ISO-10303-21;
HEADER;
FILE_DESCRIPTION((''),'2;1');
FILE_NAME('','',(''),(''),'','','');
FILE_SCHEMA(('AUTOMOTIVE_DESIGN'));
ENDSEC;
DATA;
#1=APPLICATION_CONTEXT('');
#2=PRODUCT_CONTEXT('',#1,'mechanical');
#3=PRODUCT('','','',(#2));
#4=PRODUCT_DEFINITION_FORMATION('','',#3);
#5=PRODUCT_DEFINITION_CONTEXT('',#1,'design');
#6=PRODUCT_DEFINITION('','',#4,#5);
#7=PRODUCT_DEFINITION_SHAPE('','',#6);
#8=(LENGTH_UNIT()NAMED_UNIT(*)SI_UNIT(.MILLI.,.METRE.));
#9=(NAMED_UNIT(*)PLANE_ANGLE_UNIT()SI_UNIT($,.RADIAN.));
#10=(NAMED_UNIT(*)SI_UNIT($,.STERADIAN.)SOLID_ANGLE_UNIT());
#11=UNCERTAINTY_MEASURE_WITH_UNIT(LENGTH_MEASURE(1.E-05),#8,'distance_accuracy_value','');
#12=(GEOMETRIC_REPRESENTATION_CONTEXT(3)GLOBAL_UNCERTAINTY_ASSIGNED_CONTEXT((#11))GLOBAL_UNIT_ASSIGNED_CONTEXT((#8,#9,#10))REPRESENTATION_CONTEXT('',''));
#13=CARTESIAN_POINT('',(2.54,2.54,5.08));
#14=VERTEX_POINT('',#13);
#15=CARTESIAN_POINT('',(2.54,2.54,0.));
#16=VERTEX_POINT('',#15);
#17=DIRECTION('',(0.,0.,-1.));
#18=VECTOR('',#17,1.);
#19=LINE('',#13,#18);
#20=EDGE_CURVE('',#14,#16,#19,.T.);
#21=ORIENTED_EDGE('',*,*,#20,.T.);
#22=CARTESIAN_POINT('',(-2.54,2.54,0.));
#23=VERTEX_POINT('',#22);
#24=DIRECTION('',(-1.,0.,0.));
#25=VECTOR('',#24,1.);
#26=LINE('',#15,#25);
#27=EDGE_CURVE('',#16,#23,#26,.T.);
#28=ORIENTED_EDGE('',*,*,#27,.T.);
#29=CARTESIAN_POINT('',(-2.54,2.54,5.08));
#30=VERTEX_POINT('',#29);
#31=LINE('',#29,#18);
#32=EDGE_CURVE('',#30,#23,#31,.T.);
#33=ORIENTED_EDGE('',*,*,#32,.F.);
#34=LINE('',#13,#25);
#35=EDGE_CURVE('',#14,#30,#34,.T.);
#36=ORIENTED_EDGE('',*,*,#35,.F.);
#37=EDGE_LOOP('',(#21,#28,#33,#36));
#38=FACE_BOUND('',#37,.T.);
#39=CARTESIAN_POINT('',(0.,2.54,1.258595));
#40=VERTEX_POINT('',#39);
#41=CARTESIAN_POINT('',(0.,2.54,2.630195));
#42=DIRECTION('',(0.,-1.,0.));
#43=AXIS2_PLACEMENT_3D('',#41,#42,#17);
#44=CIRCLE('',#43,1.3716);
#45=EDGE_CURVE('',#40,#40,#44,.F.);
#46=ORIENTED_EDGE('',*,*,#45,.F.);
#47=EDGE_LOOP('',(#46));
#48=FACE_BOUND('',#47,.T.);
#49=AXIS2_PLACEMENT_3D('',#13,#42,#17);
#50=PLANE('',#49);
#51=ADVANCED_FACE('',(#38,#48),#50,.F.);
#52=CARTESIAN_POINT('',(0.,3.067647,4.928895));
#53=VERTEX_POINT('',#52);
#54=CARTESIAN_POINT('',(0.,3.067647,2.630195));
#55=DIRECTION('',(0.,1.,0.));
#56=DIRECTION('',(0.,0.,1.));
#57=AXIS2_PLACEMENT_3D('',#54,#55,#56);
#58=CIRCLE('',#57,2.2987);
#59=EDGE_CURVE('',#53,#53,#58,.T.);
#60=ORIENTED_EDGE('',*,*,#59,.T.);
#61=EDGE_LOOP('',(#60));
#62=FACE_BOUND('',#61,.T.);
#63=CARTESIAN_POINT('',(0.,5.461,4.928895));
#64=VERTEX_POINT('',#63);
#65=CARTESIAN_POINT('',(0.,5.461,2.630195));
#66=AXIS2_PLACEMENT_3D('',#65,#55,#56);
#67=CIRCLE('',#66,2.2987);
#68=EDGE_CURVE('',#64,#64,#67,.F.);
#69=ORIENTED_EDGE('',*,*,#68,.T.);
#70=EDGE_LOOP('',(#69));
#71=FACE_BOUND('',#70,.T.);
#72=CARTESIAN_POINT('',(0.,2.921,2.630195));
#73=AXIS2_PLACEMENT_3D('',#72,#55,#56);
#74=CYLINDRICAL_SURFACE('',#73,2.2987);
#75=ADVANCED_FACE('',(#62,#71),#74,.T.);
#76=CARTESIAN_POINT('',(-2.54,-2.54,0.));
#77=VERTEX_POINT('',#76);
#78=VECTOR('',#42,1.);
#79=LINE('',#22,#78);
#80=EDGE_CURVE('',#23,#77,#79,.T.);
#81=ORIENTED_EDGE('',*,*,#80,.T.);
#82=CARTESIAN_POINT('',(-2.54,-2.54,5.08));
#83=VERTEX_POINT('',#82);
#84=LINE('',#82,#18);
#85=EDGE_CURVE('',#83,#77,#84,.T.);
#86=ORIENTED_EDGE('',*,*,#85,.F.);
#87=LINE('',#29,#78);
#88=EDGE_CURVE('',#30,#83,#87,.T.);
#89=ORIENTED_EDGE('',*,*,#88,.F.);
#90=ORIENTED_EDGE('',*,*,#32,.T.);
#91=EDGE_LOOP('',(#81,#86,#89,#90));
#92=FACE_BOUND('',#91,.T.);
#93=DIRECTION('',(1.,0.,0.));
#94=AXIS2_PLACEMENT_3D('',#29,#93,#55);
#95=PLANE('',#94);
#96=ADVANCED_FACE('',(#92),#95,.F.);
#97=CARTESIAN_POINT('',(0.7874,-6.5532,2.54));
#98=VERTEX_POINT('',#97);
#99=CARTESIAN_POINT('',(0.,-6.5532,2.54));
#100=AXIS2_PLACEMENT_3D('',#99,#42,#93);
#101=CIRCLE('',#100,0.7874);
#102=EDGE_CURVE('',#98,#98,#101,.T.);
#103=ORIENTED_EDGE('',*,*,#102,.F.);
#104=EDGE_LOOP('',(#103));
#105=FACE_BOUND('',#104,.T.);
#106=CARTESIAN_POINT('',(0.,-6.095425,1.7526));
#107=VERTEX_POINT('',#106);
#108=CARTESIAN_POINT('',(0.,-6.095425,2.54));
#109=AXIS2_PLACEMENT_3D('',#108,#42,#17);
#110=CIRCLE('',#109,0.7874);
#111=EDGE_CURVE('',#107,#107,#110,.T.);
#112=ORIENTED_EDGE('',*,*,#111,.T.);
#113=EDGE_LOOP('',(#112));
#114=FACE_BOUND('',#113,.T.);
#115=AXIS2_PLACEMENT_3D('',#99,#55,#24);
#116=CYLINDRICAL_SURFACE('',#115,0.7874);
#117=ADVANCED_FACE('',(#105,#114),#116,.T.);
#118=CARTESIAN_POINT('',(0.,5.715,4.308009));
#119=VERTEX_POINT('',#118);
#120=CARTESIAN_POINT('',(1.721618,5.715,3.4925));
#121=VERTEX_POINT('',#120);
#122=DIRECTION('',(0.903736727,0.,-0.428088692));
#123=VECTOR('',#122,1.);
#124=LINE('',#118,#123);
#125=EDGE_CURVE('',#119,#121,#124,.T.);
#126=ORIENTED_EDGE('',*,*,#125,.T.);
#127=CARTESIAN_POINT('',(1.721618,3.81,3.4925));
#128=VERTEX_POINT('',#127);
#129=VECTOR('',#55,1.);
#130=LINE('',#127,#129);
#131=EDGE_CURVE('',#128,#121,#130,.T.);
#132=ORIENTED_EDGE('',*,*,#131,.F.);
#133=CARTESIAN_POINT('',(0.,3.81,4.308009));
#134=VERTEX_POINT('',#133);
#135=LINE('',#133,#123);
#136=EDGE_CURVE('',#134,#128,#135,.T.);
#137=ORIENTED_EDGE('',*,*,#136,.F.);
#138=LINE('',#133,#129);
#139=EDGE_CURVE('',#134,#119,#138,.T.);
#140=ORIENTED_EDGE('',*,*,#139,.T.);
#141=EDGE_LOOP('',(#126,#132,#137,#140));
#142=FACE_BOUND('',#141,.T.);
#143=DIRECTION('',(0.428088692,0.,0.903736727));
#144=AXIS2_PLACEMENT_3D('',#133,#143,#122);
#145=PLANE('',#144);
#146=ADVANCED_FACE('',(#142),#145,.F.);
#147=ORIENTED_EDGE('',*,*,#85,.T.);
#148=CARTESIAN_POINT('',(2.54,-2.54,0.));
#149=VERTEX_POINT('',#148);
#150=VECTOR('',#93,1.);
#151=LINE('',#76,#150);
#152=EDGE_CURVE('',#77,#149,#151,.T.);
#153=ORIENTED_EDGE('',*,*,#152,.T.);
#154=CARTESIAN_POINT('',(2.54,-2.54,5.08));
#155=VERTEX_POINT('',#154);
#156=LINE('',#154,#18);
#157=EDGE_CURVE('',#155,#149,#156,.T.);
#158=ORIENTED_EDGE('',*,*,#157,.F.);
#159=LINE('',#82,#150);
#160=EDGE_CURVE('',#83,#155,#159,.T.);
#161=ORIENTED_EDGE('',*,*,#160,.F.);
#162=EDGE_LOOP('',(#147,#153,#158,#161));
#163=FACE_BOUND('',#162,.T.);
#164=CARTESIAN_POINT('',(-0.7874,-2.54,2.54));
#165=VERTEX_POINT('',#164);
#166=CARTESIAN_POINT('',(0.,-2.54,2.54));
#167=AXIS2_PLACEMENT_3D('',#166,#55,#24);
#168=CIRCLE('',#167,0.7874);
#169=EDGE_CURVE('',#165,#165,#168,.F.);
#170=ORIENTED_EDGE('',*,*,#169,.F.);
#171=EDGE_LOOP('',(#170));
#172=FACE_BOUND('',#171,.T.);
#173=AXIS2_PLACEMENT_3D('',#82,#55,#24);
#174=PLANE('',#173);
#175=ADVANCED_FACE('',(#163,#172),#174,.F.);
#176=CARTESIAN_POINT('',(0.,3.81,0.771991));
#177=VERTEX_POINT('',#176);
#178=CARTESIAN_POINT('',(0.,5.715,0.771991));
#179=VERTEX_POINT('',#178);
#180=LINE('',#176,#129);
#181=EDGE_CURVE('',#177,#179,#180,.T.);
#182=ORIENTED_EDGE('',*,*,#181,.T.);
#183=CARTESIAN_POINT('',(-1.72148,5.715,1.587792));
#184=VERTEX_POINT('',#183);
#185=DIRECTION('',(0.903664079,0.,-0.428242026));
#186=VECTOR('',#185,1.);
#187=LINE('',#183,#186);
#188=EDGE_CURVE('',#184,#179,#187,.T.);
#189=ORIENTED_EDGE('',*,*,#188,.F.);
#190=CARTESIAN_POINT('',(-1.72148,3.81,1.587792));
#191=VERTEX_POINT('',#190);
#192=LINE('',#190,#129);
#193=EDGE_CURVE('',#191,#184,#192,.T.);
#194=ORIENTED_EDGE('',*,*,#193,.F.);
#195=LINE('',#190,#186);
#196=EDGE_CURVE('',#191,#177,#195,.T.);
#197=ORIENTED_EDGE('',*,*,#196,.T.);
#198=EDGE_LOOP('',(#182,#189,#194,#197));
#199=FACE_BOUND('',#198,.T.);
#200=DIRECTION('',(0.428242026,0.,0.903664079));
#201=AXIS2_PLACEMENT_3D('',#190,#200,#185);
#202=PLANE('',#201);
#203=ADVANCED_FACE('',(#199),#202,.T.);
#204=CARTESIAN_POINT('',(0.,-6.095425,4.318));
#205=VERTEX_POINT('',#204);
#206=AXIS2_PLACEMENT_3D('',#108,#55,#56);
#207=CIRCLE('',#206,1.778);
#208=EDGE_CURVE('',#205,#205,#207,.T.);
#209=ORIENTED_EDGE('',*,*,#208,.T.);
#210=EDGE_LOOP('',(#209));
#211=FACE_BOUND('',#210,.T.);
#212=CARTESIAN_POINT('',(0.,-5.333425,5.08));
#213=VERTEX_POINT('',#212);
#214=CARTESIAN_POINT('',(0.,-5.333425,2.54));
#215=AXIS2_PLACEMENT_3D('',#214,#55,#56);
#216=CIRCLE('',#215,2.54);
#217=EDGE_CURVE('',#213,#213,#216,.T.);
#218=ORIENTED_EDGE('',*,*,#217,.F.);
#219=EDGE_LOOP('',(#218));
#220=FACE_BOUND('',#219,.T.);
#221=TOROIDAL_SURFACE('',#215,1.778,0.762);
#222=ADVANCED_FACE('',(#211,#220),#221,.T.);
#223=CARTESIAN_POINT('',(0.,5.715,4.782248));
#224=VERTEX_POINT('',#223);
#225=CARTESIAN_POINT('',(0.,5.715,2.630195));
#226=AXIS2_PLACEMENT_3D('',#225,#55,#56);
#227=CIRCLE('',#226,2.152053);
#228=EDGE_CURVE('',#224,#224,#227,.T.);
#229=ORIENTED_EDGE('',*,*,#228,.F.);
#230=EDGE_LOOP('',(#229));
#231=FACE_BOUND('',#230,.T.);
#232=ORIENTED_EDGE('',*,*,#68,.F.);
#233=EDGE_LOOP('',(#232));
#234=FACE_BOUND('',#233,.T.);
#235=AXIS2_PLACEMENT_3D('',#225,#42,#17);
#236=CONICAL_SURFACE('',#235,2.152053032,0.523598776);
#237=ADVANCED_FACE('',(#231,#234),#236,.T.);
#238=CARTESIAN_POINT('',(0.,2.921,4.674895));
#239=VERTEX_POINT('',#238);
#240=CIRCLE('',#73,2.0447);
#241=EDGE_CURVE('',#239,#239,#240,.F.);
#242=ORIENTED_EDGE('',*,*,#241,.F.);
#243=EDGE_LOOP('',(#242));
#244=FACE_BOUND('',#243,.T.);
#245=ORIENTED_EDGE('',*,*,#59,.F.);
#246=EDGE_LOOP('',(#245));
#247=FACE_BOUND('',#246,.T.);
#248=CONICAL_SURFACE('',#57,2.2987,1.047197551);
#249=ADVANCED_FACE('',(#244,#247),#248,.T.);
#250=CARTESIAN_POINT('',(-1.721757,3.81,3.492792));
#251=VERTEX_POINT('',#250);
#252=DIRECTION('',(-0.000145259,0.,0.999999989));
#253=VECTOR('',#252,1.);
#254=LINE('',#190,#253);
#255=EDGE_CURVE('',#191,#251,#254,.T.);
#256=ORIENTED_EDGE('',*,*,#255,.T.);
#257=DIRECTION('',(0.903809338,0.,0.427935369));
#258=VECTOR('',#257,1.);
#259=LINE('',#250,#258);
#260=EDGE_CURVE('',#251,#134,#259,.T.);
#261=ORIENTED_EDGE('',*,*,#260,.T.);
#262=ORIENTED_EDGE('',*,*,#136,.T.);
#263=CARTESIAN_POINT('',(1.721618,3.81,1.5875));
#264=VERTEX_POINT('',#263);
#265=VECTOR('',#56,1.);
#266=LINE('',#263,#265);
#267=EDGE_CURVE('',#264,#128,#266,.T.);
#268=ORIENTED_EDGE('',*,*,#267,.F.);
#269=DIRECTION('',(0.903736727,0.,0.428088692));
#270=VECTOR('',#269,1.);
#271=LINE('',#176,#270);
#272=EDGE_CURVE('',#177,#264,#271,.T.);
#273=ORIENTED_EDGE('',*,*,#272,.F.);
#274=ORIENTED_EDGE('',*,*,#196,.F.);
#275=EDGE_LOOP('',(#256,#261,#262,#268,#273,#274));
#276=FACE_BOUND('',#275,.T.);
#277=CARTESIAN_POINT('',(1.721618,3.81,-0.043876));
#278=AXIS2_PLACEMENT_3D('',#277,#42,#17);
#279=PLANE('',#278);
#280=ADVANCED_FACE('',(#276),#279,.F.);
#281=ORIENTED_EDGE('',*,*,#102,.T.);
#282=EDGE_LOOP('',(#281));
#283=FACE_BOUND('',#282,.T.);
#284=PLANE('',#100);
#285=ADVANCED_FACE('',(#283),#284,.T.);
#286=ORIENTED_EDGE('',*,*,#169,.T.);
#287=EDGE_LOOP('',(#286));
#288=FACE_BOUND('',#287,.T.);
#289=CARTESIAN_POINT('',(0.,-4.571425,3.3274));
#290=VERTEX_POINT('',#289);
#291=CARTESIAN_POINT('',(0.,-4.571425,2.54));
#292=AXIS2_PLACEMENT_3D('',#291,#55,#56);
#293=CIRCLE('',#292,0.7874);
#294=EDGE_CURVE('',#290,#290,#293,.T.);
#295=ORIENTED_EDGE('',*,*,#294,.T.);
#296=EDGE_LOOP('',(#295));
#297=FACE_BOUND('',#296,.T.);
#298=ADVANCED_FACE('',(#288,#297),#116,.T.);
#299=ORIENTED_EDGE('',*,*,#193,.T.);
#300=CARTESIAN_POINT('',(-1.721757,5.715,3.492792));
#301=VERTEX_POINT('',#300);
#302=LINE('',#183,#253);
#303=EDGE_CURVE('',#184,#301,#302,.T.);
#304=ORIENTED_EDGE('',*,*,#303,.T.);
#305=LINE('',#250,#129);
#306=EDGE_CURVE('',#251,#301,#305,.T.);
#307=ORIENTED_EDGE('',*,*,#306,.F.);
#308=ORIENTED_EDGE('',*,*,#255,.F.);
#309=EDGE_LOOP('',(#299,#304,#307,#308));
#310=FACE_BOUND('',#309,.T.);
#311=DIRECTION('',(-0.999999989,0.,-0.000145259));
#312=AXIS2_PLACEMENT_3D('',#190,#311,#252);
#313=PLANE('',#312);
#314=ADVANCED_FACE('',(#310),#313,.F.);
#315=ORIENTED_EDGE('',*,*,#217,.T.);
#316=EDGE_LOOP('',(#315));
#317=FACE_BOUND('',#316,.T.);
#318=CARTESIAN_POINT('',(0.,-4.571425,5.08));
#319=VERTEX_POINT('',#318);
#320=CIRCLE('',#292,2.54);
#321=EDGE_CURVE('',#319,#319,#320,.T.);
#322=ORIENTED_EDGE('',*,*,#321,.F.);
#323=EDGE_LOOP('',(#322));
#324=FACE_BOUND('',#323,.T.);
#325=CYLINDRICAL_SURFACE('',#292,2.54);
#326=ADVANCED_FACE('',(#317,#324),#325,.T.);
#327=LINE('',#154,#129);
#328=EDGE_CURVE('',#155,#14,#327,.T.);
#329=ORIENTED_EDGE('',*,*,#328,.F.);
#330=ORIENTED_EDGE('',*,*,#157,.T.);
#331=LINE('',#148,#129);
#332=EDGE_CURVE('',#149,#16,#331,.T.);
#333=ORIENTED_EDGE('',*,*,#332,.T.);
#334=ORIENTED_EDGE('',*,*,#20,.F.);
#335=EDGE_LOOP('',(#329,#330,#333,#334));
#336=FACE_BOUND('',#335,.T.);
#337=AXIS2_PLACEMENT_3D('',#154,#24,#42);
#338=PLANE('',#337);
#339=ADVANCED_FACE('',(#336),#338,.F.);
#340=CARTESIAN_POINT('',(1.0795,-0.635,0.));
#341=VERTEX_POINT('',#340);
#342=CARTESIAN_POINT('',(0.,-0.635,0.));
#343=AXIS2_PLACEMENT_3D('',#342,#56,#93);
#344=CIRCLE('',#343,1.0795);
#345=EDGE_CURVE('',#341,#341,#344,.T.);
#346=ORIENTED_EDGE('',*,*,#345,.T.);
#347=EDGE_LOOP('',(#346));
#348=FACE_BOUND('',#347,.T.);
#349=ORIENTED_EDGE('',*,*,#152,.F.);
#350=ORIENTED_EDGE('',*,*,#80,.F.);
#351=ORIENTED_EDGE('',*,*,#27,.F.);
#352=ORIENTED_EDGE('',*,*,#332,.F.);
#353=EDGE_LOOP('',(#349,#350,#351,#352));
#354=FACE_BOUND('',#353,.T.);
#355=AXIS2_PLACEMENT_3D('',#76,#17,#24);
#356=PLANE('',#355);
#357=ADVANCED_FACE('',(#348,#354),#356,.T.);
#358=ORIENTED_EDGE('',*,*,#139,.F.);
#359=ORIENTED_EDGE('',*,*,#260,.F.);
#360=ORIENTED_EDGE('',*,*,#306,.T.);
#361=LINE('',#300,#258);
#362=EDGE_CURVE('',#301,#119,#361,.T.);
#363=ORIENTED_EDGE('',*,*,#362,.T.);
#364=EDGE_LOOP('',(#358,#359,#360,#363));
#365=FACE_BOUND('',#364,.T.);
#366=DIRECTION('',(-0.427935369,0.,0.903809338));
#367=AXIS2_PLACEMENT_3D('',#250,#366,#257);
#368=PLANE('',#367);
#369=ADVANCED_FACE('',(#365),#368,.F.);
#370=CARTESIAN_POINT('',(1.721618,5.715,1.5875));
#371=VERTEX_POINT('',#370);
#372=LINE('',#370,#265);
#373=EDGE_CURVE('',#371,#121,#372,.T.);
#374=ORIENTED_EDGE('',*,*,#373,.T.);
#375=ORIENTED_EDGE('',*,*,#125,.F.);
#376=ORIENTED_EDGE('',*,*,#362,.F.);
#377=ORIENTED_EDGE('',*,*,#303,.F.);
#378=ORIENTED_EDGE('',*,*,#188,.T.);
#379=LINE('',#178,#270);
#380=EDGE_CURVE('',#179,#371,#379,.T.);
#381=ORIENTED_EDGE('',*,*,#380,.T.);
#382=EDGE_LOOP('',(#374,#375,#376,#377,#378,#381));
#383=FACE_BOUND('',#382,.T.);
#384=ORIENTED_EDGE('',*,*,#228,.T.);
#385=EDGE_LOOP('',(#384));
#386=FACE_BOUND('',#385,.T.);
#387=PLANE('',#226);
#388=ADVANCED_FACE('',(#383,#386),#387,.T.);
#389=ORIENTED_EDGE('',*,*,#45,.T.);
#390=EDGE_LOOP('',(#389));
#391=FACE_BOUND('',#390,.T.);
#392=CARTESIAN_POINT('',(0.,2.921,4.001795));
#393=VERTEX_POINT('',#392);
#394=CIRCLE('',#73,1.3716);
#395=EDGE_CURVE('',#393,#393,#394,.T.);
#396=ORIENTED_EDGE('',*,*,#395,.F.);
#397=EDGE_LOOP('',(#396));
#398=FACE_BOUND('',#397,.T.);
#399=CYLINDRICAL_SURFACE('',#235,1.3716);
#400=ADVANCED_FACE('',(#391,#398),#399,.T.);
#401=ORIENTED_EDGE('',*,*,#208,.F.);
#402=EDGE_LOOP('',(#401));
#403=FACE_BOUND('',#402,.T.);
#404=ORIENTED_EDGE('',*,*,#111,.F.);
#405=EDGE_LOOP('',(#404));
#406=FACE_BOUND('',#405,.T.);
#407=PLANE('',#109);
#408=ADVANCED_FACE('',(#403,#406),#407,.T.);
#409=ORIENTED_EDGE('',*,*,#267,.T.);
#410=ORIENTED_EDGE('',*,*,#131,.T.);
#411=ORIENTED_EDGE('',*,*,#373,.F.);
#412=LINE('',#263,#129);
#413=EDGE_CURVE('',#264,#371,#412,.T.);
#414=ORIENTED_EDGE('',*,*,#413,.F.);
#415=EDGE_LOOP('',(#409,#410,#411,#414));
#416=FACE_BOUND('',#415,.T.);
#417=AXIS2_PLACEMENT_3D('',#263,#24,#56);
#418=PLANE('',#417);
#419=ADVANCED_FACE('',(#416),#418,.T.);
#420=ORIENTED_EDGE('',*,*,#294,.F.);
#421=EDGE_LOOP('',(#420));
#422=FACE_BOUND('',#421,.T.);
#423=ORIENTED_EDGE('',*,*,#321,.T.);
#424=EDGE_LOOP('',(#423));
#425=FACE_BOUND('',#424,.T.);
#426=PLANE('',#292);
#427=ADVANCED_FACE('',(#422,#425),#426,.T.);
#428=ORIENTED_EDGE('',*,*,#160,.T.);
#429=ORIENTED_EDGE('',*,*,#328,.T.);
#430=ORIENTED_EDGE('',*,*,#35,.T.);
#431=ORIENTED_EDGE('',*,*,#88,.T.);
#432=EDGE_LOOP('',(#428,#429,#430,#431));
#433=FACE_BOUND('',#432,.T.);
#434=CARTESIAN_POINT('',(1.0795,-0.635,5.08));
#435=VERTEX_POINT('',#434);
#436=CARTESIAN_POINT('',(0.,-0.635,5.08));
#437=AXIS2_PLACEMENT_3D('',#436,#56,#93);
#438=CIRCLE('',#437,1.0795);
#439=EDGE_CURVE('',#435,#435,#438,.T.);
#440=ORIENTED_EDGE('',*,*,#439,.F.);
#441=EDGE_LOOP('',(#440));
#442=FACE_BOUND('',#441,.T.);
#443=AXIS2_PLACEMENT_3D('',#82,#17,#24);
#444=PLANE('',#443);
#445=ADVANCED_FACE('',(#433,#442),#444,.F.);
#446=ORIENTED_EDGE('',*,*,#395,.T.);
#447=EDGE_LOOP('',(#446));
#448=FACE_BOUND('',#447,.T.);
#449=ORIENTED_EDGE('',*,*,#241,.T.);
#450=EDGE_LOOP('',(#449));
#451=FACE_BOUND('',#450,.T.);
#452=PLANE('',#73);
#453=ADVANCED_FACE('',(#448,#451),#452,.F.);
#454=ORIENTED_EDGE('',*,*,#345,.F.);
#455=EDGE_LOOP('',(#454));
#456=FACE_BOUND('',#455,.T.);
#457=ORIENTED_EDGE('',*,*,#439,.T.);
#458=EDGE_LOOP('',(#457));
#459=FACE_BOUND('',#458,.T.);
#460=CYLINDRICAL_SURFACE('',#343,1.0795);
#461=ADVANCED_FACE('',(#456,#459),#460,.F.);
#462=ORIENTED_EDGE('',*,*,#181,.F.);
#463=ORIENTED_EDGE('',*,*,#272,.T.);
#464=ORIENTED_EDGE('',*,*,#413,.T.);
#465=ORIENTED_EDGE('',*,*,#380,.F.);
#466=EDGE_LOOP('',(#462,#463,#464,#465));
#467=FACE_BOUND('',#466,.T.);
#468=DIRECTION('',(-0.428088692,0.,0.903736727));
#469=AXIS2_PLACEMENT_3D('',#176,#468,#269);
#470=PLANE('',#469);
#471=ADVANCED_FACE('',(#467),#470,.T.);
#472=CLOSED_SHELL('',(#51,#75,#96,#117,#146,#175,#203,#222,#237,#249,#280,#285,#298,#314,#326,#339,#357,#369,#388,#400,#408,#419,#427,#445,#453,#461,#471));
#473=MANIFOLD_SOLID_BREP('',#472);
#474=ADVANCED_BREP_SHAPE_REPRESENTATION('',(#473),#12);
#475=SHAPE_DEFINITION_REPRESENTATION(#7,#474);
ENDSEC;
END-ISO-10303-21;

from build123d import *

# Parameters (mm, degrees)
SKETCH1_W          = 5.08
SKETCH1_H          = 5.08
EXTRUDE1_DEPTH     = 5.08
SKETCH2_R          = 1.0795
CUT_EXTRUDE1_DEPTH = 7.221703947
SKETCH3_R          = 0.7874
EXTRUDE2_DEPTH     = 4.0132
SKETCH4_R          = 1.3716
EXTRUDE3_DEPTH     = 3.175
SKETCH5_R          = 2.2987
EXTRUDE4_DEPTH     = 2.794
CHAMFER1_SIZE      = 0.254
CHAMFER1_SIZE2     = 0.146646968
CUT_EXTRUDE2_DEPTH = 1.905
CHAMFER2_SIZE      = 0.254
CHAMFER2_SIZE2     = 0.146646968


with BuildPart() as part:
    # Sketch1 → Extrude1 (new body)
    with BuildSketch(Plane.XY):
        Rectangle(SKETCH1_W, SKETCH1_H)
    extrude(amount=EXTRUDE1_DEPTH)

    # Sketch2 → Cut-Extrude1 (cut, through all)
    with BuildSketch(Plane.XY.offset(5.08)):
        with Locations((0, -0.635)):
            Circle(SKETCH2_R)
    extrude(amount=-CUT_EXTRUDE1_DEPTH, mode=Mode.SUBTRACT)

    # Sketch3 → Extrude2 (add)
    with BuildSketch(Plane.XZ.offset(2.54)):
        with Locations(Location((0, 2.54, 0), (0, 0, 180))):
            Circle(SKETCH3_R)
    extrude(amount=EXTRUDE2_DEPTH)

    # Sketch4 → Extrude3 (add)
    with BuildSketch(Plane(origin=(0, 2.54, 0), x_dir=(-1, 0, 0), z_dir=(0, 1, 0))):
        with Locations(Location((0, 2.630194731, 0), (0, 0, 270))):
            Circle(SKETCH4_R)
    extrude(amount=EXTRUDE3_DEPTH)

    # Sketch5 → Extrude4 (add)
    with BuildSketch(Plane(origin=(0, 5.715, 0), x_dir=(-1, 0, 0), z_dir=(0, 1, 0))):
        with Locations(Location((0, 2.630194731, 0), (0, 0, 90))):
            Circle(SKETCH5_R)
    extrude(amount=-EXTRUDE4_DEPTH)

    # Chamfer1
    chamfer1_edges = [part.edges().sort_by_distance(p)[0] for p in [
        (0, 5.715, 0.331494731),
    ]]
    chamfer1_side = [part.faces().sort_by_distance(p)[0] for p in [
        (0, 4.318, 0.331494731),
    ]]
    chamfer(chamfer1_edges, length=CHAMFER1_SIZE, length2=CHAMFER1_SIZE2, reference=chamfer1_side[0])

    # Sketch6 → Cut-Extrude2 (cut)
    with BuildSketch(Plane(origin=(0, 5.715, 0), x_dir=(-1, 0, 0), z_dir=(0, 1, 0))):
        Polygon((-1.721618465, 1.5875), (-1.721618465, 3.4925), (0, 4.308008959), (1.721756789, 3.49279208), (1.72148007, 1.5877921), (0, 0.771991041), align=None)
    extrude(amount=-CUT_EXTRUDE2_DEPTH, mode=Mode.SUBTRACT)

    # Chamfer2
    chamfer2_edges = [part.edges().sort_by_distance(p)[0] for p in [
        (0, 2.921, 0.331494731),
    ]]
    chamfer2_side = [part.faces().sort_by_distance(p)[0] for p in [
        (0, 2.921, 0.396511785),
    ]]
    chamfer(chamfer2_edges, length=CHAMFER2_SIZE, length2=CHAMFER2_SIZE2, reference=chamfer2_side[0])

    # Sketch9 → Revolve1 (revolve)
    with BuildSketch(Plane(origin=(0, 0, -0.758383952), x_dir=(0, 0, 1), z_dir=(-1, 0, 0)), mode=Mode.PRIVATE) as revolve1_sk:
        with BuildLine():
            Line((3.298383952, -4.571424559), (0.758383952, -4.571424559))
            Line((0.758383952, -4.571424559), (0.758383952, -5.333424559))
            ThreePointArc((0.758383952, -5.333424559), (0.981568584, -5.872239927), (1.520383952, -6.095424559))
            Line((1.520383952, -6.095424559), (3.298383952, -6.095424559))
            Line((3.298383952, -6.095424559), (3.298383952, -4.571424559))
        make_face()
    revolve(revolve1_sk.sketch.rotate(Axis((0, -4.571424559, 2.54), (0, -1, 0)), 270), axis=Axis((0, -4.571424559, 2.54), (0, -1, 0)))


solid = part.part
